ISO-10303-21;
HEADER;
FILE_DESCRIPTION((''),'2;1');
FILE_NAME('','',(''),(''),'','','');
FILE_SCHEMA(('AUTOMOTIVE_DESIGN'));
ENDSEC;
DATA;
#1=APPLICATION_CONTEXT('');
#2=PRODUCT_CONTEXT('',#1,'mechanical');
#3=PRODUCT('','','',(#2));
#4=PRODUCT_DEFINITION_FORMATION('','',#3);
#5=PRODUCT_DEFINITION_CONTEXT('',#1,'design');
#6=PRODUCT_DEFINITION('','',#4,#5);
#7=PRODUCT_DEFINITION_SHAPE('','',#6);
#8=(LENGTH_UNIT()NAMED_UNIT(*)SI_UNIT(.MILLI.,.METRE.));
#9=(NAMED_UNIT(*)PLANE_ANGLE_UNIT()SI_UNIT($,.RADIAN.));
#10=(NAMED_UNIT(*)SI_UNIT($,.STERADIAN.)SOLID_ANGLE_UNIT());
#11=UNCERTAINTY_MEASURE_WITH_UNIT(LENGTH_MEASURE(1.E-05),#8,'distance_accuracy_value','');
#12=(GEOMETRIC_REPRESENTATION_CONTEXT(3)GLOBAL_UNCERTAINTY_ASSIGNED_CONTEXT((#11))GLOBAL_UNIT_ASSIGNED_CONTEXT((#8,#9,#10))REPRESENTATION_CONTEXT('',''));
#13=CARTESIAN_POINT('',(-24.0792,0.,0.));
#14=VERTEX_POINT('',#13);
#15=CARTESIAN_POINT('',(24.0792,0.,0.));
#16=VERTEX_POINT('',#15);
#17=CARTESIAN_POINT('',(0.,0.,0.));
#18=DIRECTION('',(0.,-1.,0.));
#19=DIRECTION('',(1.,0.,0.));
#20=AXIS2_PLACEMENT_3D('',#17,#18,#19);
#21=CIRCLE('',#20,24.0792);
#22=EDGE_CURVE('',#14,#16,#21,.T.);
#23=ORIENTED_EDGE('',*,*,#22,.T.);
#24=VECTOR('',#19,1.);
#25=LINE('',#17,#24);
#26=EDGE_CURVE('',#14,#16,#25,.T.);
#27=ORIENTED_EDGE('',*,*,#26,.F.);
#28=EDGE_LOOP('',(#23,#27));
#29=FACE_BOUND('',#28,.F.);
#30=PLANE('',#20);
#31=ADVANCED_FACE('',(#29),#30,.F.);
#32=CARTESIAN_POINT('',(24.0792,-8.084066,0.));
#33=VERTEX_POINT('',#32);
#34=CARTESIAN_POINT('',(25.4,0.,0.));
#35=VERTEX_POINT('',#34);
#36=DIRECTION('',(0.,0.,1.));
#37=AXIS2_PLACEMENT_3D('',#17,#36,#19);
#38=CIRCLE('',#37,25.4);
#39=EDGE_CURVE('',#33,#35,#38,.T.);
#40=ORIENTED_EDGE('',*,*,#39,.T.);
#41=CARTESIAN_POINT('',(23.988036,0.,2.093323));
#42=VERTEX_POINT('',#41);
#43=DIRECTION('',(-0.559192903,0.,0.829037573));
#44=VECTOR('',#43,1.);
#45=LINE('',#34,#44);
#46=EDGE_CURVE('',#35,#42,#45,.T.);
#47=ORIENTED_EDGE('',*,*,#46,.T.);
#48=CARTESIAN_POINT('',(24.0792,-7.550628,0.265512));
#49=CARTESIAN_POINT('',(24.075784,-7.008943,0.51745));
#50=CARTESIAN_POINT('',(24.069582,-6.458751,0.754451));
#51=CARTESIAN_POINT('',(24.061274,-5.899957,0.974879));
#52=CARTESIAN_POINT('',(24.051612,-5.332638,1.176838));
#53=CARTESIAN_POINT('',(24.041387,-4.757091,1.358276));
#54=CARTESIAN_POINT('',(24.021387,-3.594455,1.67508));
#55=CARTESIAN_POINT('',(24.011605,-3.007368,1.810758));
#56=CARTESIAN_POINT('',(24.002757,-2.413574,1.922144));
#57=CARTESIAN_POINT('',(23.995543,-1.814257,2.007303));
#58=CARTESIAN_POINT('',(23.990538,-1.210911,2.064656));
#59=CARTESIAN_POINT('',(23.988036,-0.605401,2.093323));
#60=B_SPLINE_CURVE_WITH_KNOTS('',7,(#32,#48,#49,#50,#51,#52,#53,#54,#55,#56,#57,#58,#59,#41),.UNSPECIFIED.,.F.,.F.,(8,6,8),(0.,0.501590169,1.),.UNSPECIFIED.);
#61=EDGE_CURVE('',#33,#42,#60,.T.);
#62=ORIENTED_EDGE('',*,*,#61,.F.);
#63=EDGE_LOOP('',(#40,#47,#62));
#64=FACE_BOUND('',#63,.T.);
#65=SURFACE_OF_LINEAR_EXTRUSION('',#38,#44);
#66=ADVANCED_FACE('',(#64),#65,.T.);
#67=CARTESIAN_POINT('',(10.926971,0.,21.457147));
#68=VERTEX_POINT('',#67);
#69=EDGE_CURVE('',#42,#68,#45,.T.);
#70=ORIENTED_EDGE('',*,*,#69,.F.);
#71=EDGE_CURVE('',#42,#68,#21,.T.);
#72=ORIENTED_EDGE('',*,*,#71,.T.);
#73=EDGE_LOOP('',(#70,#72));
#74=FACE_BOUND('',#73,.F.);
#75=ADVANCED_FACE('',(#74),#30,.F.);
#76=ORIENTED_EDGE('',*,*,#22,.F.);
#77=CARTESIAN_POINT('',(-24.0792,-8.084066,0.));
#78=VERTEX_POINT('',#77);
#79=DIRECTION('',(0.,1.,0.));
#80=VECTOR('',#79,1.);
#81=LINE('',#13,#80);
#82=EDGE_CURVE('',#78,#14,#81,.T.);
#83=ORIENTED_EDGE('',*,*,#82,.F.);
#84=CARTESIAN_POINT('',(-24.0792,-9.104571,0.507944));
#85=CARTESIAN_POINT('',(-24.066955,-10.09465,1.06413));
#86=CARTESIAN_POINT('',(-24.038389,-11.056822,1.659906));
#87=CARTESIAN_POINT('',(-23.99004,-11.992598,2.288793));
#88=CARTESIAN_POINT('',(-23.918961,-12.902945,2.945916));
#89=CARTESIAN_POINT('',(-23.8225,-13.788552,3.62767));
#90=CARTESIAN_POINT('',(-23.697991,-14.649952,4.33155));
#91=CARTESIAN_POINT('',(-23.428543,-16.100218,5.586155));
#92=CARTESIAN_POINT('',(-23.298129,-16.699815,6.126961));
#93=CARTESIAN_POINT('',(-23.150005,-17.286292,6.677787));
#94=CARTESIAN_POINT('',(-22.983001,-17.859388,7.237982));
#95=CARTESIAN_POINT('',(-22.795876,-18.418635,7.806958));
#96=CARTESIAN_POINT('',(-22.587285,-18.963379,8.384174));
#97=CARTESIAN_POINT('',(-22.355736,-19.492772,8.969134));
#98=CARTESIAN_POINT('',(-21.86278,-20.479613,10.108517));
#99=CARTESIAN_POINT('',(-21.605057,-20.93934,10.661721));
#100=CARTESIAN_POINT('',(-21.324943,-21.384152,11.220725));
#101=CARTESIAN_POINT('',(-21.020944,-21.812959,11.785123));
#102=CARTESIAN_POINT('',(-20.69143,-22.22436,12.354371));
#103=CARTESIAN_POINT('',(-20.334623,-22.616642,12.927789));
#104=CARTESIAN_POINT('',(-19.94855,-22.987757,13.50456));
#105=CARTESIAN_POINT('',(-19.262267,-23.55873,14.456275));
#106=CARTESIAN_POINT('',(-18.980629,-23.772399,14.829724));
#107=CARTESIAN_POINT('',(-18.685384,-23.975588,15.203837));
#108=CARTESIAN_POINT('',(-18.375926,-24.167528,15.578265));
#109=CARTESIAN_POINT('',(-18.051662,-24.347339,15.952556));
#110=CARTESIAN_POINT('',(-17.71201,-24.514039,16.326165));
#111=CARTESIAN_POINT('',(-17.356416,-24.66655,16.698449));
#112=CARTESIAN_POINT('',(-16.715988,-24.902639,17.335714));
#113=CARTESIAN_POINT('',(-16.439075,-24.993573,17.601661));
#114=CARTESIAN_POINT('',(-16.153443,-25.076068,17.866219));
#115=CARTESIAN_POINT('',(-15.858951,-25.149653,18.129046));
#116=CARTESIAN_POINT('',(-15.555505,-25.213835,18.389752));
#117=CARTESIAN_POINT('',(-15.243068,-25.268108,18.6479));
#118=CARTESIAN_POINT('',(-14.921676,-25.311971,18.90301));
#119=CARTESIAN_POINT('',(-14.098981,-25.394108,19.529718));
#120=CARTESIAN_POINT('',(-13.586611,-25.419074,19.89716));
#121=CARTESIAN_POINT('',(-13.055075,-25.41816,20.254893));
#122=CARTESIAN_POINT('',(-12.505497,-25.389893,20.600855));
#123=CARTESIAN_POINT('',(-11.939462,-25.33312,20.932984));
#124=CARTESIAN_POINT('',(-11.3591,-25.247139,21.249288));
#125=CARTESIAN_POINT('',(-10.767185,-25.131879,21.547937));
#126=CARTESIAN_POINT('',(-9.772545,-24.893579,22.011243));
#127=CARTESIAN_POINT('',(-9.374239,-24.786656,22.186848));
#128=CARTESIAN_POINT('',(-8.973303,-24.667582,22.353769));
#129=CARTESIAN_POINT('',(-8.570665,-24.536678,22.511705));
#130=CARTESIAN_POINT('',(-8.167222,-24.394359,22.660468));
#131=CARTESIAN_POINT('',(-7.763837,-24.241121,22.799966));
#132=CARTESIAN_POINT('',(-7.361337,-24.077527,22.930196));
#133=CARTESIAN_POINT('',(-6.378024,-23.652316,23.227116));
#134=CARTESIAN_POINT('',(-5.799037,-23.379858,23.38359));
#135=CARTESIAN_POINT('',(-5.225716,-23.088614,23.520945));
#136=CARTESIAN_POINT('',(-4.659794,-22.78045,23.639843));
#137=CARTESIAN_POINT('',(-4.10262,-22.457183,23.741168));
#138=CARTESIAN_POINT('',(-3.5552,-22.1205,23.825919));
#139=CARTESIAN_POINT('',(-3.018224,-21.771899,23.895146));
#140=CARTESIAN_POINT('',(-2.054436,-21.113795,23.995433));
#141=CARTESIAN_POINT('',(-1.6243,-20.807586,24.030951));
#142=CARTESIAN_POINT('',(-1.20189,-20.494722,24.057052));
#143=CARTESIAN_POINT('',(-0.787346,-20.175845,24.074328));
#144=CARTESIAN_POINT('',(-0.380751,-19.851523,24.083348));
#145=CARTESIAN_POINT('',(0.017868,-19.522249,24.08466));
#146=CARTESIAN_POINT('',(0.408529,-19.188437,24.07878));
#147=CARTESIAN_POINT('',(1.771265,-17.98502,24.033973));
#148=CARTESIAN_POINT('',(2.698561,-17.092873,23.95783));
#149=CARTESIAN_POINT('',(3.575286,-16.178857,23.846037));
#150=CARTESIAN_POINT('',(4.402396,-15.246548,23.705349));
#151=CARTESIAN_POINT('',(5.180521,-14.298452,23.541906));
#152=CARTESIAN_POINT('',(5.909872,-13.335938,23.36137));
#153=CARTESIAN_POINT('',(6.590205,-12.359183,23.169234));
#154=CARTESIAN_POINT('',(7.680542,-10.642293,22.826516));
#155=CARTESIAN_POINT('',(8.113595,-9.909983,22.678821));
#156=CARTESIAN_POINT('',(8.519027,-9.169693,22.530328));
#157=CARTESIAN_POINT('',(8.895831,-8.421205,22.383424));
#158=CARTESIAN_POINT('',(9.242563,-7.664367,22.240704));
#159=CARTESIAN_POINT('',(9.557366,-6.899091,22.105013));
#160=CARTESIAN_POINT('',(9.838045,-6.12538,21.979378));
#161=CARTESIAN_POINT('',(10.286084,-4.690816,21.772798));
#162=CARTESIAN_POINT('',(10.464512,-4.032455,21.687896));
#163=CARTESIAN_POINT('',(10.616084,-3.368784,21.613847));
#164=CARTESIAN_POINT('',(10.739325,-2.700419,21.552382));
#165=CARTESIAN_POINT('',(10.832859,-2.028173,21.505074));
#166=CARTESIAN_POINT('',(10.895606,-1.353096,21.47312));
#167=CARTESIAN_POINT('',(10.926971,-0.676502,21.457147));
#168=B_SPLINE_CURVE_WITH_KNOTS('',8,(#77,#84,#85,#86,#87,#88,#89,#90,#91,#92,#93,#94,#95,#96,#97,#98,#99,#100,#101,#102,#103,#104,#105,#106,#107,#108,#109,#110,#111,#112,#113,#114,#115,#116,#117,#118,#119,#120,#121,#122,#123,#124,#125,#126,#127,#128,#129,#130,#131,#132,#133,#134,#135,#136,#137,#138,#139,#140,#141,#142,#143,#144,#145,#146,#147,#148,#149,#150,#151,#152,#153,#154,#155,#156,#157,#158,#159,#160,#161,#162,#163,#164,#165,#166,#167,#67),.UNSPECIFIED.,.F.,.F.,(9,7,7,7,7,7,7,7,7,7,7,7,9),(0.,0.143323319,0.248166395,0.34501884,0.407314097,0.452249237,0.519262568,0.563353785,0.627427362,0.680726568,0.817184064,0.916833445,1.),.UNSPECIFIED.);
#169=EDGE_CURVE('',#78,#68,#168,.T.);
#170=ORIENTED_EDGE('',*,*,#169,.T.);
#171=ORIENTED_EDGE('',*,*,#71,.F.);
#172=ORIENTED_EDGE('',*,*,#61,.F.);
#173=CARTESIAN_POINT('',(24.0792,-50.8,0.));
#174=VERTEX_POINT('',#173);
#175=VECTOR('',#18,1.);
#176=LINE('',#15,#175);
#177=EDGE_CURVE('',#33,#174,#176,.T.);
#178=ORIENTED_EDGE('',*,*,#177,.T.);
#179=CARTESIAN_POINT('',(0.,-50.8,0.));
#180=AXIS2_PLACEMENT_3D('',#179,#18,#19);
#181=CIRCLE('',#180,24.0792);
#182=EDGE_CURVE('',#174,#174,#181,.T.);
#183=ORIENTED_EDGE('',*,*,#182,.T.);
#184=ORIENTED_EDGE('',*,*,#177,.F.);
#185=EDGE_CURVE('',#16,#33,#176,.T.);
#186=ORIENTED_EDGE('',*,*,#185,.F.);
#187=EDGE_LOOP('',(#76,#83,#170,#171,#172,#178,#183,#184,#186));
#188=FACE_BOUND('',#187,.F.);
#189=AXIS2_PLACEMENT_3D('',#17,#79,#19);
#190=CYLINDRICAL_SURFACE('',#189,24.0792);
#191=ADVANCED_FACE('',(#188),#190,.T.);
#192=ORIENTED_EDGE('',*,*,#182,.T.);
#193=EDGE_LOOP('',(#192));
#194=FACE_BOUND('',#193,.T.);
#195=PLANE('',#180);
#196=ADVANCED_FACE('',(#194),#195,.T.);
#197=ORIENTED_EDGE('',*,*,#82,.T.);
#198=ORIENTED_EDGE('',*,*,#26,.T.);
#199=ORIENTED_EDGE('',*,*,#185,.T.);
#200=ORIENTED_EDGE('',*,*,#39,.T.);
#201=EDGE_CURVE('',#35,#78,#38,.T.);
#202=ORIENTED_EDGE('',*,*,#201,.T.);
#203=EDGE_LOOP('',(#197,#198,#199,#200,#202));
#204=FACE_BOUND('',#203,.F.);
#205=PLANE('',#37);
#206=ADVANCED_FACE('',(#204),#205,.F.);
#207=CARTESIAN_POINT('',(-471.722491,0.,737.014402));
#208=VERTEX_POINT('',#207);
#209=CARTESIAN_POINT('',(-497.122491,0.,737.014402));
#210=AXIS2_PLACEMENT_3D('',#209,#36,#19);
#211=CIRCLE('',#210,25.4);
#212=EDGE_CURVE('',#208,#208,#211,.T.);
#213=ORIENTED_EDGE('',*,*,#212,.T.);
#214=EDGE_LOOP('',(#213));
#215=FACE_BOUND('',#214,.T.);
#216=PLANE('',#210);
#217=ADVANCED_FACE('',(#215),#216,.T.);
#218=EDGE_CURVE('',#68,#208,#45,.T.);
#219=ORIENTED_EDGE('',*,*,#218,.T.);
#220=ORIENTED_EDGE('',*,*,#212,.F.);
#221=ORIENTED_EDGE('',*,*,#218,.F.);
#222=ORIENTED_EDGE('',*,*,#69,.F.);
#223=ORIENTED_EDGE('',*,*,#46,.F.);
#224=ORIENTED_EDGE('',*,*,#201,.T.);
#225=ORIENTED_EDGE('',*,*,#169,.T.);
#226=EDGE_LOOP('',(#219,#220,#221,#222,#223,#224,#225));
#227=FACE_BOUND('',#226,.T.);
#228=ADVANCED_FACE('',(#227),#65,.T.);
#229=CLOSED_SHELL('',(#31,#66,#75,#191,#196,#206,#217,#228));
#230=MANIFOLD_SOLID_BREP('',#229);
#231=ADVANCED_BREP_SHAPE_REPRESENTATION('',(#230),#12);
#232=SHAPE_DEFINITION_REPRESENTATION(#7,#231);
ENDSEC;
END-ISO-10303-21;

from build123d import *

# Parameters (mm, degrees)
F1_R     = 25.4
F3_R     = 24.0792
F4_DEPTH = 50.8


with BuildPart() as f2:
    # F2: sweep along a path in F0
    with BuildLine(Plane.XZ) as f2_path:
        Line((0, 0), (-497.122491, 737.014402))
    # F1 (on Top) → F2 (sweep)
    with BuildSketch(Plane.XY):
        Circle(F1_R)
    sweep(path=f2_path.line)

    # F3 (on Front) → F4 (join)
    with BuildSketch(Plane.XZ):
        Circle(F3_R)
    extrude(amount=F4_DEPTH)


solid = f2.part
